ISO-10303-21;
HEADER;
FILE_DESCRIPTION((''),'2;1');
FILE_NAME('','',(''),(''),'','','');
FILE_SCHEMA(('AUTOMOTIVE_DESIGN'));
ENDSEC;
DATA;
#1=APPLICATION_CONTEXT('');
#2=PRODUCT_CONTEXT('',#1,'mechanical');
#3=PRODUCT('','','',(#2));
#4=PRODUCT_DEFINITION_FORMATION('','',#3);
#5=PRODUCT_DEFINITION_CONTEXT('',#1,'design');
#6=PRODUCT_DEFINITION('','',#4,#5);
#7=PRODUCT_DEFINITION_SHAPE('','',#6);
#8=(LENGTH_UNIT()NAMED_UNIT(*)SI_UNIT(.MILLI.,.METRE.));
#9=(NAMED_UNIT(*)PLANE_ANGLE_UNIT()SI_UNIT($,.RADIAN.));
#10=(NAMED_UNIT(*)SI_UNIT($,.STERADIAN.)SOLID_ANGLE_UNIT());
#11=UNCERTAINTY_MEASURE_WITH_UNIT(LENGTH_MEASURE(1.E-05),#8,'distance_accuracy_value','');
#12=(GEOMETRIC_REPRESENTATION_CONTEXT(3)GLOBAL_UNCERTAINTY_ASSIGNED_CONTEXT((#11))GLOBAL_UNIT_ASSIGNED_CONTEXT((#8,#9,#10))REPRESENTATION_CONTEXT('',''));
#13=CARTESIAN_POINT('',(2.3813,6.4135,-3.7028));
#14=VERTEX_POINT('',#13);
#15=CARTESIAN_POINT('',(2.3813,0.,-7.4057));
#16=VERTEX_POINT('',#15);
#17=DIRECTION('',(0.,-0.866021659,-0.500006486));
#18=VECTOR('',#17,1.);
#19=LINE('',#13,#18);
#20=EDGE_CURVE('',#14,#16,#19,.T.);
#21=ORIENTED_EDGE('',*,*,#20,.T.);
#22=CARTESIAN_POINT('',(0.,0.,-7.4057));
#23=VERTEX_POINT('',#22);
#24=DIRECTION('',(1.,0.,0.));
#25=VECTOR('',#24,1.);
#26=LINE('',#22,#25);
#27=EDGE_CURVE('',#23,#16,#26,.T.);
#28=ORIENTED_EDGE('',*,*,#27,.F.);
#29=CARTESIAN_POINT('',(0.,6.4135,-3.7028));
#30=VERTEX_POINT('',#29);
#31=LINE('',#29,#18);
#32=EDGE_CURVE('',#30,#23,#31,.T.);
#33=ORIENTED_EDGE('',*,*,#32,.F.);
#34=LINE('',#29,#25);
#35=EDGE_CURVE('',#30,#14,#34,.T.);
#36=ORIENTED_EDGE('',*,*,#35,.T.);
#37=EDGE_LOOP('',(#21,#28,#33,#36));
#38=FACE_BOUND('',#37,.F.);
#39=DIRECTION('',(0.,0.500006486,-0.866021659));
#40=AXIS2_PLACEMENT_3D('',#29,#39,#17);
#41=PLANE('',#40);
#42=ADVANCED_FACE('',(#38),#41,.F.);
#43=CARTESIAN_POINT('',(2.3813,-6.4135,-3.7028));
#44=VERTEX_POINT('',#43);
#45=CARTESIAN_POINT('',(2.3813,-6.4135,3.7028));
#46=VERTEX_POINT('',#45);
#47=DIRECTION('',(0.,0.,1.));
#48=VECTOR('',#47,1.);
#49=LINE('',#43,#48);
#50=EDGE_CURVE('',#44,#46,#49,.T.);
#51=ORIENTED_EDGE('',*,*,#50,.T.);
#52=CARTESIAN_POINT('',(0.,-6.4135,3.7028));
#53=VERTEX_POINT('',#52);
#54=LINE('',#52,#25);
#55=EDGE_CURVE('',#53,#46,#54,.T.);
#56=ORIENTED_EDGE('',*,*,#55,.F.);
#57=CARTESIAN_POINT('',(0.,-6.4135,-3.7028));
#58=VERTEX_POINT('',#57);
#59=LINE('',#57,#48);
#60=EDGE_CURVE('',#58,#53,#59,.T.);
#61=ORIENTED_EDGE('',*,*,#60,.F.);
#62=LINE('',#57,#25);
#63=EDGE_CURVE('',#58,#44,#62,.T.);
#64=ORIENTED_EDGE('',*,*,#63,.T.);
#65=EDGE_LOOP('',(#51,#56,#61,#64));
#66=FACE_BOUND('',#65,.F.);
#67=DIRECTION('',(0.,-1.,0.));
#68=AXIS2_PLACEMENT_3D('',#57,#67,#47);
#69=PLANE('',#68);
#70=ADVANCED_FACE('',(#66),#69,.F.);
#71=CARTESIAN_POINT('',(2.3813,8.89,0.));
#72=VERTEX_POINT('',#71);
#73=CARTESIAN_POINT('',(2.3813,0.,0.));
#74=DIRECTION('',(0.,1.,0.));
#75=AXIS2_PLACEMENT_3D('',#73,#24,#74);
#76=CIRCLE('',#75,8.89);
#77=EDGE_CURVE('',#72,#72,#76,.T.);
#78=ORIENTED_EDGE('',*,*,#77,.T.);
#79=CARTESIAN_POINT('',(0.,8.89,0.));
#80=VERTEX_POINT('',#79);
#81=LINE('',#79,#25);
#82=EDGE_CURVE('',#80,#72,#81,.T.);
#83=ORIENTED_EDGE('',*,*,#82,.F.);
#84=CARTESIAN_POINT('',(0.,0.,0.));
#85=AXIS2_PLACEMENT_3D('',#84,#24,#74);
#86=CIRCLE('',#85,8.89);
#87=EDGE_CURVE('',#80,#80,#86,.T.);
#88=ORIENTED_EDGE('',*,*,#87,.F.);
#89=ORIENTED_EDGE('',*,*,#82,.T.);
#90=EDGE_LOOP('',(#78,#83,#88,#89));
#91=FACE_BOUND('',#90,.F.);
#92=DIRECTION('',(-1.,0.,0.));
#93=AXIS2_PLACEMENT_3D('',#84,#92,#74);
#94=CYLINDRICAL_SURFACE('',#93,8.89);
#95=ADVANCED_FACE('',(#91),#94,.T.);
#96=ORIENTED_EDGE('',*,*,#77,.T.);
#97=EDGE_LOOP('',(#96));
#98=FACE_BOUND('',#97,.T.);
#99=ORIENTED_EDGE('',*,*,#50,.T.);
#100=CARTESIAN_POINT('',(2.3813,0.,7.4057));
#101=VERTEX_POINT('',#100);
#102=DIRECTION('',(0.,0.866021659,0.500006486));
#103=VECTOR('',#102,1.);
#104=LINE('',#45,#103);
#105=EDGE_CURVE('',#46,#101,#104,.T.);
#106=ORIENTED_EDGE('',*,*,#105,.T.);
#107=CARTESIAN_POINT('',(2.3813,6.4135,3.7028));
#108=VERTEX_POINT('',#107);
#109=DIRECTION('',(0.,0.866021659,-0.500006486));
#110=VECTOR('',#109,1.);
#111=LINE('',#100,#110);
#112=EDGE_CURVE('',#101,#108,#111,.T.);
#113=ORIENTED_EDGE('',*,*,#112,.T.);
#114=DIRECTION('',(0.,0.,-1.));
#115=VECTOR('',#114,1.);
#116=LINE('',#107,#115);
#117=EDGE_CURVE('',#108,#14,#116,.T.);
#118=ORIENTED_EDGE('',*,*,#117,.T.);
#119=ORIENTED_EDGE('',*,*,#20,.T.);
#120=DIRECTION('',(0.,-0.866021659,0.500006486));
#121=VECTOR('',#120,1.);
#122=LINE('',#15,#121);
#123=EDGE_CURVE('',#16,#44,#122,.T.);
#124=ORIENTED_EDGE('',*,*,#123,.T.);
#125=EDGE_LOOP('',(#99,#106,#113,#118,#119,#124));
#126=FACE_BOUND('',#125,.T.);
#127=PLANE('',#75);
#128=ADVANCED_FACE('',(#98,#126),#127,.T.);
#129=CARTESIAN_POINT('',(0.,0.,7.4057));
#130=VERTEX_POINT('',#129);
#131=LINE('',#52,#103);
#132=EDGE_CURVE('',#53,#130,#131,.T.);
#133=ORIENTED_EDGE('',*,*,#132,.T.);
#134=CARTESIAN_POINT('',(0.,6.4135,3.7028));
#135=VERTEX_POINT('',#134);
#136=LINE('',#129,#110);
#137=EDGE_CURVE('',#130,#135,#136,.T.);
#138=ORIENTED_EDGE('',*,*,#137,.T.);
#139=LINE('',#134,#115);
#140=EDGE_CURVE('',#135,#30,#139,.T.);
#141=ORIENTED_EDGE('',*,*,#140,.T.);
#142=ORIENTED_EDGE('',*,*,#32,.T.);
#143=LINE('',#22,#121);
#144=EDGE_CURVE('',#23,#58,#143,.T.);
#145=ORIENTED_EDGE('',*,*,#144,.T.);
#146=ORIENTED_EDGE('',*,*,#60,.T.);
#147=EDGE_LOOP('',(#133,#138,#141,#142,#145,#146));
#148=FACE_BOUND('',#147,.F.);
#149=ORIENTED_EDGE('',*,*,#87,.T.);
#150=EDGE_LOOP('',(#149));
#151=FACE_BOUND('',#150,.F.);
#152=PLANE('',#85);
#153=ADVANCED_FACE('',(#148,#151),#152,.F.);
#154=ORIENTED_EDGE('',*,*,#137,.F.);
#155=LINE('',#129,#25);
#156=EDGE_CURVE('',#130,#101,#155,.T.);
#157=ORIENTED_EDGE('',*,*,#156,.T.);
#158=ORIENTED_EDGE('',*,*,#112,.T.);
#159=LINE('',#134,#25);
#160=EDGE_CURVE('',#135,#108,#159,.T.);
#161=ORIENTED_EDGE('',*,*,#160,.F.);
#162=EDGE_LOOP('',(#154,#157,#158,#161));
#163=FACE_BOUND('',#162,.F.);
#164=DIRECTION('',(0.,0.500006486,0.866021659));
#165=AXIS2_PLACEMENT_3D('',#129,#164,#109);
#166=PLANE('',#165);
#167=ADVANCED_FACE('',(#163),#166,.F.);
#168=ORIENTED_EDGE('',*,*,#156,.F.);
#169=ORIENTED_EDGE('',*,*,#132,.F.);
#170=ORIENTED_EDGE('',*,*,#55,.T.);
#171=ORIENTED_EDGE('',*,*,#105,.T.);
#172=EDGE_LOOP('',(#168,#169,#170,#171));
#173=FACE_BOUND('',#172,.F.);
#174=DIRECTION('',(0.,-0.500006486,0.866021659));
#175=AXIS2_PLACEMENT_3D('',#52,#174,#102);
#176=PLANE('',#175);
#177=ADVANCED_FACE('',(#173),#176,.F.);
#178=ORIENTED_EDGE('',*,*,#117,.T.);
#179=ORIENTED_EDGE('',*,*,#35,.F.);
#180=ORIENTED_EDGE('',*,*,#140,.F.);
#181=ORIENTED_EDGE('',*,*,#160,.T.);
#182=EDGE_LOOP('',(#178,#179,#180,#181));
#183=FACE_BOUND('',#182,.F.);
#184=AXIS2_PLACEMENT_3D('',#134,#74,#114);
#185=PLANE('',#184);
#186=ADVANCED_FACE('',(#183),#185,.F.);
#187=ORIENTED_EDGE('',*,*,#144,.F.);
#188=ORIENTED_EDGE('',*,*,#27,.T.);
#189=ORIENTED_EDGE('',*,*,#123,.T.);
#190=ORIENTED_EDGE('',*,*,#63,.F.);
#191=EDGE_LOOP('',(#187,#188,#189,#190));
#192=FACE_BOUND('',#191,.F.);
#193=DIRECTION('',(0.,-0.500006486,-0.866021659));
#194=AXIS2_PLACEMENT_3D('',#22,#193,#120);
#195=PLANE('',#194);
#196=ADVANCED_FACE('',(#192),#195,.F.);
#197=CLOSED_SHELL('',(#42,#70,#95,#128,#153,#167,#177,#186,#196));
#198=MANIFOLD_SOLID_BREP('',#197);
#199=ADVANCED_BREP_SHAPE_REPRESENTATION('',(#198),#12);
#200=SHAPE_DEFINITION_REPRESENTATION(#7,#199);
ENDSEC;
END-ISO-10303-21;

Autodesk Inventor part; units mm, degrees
ref_plane "YZ Plane" through (0, 0, 0) normal (1, 0, 0) x (0, 1, 0)
ref_plane "XZ Plane" through (0, 0, 0) normal (0, 1, 0) x (-1, 0, 0)
ref_plane "XY Plane" through (0, 0, 0) normal (0, 0, 1) x (1, 0, 0)
sketch "Sketch1" plane through (0, 0, 0) normal (1, 0, 0) x (0, 1, 0)
  line L0 (-6.4135, -3.7028) -> (-6.4135, 3.7028)
  line L1 (-6.4135, 3.7028) -> (0, 7.4057)
  line L2 (0, 7.4057) -> (6.4135, 3.7028)
  line L3 (6.4135, 3.7028) -> (6.4135, -3.7028)
  line L4 (6.4135, -3.7028) -> (0, -7.4057)
  line L5 (0, -7.4057) -> (-6.4135, -3.7028)
  circle A0 centre (0, 0) radius 8.89
  dimension "d0" = 12.827
  dimension "d1" = 17.78
extrude "Extrusion1" add sketch "Sketch1" along normal blind 2.3813
properties part number "3DPRINT,BACKROLLERS,INTERROLLER,SPACER" material "ABS Plastic"
